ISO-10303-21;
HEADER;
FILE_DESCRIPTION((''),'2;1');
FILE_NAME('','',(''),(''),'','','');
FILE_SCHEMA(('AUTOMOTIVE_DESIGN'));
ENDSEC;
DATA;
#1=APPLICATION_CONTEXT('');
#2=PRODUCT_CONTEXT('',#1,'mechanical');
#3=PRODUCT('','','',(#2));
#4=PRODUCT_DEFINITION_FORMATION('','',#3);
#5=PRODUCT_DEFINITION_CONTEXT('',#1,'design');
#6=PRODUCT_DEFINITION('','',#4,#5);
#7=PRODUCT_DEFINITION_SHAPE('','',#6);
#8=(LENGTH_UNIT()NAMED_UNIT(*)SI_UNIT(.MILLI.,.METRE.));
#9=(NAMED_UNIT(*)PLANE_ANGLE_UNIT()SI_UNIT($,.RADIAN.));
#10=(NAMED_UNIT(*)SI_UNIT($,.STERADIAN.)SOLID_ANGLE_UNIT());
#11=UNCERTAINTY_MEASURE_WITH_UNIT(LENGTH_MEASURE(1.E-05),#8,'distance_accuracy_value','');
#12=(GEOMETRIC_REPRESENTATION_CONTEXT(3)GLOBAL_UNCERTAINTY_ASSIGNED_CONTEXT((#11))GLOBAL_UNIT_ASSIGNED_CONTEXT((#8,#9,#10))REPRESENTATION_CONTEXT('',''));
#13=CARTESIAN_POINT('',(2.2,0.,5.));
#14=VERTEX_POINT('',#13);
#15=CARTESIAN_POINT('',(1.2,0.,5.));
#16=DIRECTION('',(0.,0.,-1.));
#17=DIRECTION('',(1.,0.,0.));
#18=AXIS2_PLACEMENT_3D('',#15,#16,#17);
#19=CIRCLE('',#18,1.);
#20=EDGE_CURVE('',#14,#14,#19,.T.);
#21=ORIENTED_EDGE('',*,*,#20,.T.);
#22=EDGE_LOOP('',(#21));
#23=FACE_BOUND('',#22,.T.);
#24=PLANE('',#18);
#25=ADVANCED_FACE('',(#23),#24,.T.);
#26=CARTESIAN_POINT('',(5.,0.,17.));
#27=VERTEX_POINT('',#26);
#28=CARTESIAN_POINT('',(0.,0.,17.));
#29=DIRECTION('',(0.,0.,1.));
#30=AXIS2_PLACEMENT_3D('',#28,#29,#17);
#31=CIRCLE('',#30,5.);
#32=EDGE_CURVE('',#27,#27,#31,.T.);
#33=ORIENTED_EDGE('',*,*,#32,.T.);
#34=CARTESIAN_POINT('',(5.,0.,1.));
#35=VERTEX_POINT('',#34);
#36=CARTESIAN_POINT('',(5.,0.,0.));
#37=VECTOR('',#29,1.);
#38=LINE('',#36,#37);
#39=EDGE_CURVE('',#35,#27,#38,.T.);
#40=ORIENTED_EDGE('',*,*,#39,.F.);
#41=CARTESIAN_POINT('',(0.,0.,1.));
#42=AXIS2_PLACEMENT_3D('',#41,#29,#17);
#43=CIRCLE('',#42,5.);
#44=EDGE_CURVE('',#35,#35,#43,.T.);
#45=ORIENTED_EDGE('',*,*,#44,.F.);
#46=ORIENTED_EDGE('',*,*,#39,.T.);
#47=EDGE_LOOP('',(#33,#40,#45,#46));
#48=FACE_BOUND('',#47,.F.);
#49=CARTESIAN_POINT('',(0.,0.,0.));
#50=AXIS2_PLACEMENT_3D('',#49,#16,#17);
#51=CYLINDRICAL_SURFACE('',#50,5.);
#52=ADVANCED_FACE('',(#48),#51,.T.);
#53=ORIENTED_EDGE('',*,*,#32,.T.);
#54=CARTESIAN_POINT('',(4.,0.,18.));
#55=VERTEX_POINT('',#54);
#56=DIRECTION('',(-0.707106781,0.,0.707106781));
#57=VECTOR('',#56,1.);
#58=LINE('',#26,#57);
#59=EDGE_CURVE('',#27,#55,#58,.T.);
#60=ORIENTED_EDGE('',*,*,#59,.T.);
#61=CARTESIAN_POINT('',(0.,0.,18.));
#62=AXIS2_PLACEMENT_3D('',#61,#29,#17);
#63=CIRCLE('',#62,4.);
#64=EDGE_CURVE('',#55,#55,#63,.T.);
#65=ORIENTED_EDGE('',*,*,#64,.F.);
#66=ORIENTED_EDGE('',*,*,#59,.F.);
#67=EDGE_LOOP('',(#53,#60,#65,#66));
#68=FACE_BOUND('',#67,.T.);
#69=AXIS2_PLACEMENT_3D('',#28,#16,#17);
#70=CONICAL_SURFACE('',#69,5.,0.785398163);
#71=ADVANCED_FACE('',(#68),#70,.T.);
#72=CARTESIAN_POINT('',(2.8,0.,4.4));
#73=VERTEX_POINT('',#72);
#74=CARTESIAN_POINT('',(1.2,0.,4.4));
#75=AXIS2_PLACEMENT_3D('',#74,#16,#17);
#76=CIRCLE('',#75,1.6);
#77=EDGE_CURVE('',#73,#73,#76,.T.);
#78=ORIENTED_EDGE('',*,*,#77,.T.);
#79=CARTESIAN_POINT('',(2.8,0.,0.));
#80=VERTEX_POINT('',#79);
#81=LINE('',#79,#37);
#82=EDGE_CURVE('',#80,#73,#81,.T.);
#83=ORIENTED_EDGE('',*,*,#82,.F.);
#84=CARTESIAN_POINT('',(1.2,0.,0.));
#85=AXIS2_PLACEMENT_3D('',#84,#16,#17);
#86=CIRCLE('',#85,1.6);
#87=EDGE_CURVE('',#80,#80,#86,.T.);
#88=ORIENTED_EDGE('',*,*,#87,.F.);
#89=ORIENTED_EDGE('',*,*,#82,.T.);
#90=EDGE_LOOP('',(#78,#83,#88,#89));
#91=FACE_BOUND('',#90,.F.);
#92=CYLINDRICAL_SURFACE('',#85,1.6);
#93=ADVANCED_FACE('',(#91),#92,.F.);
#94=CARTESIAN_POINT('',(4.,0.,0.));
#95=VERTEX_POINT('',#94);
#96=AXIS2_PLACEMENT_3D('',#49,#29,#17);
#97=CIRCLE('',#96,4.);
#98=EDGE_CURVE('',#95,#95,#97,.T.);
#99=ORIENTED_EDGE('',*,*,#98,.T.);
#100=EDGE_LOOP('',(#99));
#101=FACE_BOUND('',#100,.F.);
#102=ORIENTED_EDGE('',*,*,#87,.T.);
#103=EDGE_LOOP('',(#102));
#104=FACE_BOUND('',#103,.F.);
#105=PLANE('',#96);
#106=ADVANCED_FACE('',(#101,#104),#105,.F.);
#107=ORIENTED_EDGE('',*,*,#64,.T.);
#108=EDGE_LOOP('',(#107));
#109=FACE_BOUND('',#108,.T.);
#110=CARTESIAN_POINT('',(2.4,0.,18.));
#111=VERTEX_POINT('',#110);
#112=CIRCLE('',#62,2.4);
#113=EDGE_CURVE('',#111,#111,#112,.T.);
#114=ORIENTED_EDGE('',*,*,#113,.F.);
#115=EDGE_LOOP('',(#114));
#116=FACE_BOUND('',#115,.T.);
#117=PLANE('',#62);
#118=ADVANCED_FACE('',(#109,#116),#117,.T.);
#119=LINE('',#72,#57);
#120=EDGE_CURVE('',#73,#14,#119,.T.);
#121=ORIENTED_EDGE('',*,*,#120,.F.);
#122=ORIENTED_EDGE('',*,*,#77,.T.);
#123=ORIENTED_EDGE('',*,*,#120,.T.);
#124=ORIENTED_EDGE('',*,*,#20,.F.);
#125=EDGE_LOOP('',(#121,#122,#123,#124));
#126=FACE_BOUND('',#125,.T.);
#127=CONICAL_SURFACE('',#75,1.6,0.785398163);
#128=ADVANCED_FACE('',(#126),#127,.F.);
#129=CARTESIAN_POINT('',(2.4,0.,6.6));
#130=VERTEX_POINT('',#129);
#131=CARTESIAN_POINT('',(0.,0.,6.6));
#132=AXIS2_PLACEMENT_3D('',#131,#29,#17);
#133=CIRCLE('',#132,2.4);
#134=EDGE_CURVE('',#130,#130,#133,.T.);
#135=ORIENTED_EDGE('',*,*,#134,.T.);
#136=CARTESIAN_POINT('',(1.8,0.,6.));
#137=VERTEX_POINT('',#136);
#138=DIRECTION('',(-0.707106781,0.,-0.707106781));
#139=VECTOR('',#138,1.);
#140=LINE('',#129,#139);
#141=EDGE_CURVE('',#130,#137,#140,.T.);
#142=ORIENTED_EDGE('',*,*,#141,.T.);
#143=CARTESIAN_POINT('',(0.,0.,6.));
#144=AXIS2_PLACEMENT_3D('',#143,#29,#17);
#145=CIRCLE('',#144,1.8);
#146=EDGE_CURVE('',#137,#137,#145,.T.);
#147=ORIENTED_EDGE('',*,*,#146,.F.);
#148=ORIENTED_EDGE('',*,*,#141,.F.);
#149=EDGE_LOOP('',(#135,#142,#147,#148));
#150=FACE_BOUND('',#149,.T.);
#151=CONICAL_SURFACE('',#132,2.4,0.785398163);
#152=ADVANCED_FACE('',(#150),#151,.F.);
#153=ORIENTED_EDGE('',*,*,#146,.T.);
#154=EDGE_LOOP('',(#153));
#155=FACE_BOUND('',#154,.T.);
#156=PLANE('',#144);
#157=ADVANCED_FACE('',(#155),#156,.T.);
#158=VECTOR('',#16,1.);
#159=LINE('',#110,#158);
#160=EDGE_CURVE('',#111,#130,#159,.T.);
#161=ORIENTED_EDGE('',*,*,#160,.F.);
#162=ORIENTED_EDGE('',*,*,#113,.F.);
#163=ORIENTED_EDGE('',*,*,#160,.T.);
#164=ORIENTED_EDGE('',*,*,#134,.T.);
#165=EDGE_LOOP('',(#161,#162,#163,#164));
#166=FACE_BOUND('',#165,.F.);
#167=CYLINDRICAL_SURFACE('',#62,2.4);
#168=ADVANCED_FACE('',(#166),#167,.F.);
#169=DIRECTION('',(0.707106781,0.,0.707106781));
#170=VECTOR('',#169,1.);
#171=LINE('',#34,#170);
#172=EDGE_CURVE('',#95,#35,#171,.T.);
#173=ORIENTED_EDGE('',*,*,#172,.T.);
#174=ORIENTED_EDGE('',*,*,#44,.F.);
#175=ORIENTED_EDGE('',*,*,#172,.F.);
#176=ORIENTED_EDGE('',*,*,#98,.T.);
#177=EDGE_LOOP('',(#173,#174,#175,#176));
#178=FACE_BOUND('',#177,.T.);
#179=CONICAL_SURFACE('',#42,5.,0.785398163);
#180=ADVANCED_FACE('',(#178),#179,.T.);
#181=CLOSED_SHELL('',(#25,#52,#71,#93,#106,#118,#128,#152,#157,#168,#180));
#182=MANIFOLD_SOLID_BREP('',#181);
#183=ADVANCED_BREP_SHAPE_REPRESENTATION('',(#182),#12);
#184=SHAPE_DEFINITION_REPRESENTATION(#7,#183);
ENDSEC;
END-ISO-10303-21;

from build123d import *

# Parameters (mm, degrees)
F0_R     = 5
F1_DEPTH = 18
F2_R     = 2.4
F3_DEPTH = 12
F4_R     = 1.6
F5_DEPTH = 5
F6_SIZE  = 0.6
F7_SIZE  = 1


with BuildPart() as f1:
    # F0 (on Top) → F1 (new body)
    with BuildSketch(Plane.XY):
        Circle(F0_R)
    extrude(amount=F1_DEPTH)

    # F2 (on face) → F3 (cut)
    with BuildSketch(Plane.XY.offset(18)):
        Circle(F2_R)
    extrude(amount=-F3_DEPTH, mode=Mode.SUBTRACT)

    # F4 (on face) → F5 (cut)
    with BuildSketch(Plane(origin=(0, 0, 0), x_dir=(1, 0, 0), z_dir=(0, 0, -1))):
        with Locations((1.2, 0)):
            Circle(F4_R)
    extrude(amount=-F5_DEPTH, mode=Mode.SUBTRACT)

    # F6
    f6_edges = [f1.edges().sort_by_distance(p)[0] for p in [
        (-0.4, 0, 5),
        (-2.4, 0, 6),
    ]]
    chamfer(f6_edges, length=F6_SIZE)

    # F7
    f7_edges = [f1.edges().sort_by_distance(p)[0] for p in [
        (-5, 0, 0),
        (-5, 0, 18),
    ]]
    chamfer(f7_edges, length=F7_SIZE)


solid = f1.part
